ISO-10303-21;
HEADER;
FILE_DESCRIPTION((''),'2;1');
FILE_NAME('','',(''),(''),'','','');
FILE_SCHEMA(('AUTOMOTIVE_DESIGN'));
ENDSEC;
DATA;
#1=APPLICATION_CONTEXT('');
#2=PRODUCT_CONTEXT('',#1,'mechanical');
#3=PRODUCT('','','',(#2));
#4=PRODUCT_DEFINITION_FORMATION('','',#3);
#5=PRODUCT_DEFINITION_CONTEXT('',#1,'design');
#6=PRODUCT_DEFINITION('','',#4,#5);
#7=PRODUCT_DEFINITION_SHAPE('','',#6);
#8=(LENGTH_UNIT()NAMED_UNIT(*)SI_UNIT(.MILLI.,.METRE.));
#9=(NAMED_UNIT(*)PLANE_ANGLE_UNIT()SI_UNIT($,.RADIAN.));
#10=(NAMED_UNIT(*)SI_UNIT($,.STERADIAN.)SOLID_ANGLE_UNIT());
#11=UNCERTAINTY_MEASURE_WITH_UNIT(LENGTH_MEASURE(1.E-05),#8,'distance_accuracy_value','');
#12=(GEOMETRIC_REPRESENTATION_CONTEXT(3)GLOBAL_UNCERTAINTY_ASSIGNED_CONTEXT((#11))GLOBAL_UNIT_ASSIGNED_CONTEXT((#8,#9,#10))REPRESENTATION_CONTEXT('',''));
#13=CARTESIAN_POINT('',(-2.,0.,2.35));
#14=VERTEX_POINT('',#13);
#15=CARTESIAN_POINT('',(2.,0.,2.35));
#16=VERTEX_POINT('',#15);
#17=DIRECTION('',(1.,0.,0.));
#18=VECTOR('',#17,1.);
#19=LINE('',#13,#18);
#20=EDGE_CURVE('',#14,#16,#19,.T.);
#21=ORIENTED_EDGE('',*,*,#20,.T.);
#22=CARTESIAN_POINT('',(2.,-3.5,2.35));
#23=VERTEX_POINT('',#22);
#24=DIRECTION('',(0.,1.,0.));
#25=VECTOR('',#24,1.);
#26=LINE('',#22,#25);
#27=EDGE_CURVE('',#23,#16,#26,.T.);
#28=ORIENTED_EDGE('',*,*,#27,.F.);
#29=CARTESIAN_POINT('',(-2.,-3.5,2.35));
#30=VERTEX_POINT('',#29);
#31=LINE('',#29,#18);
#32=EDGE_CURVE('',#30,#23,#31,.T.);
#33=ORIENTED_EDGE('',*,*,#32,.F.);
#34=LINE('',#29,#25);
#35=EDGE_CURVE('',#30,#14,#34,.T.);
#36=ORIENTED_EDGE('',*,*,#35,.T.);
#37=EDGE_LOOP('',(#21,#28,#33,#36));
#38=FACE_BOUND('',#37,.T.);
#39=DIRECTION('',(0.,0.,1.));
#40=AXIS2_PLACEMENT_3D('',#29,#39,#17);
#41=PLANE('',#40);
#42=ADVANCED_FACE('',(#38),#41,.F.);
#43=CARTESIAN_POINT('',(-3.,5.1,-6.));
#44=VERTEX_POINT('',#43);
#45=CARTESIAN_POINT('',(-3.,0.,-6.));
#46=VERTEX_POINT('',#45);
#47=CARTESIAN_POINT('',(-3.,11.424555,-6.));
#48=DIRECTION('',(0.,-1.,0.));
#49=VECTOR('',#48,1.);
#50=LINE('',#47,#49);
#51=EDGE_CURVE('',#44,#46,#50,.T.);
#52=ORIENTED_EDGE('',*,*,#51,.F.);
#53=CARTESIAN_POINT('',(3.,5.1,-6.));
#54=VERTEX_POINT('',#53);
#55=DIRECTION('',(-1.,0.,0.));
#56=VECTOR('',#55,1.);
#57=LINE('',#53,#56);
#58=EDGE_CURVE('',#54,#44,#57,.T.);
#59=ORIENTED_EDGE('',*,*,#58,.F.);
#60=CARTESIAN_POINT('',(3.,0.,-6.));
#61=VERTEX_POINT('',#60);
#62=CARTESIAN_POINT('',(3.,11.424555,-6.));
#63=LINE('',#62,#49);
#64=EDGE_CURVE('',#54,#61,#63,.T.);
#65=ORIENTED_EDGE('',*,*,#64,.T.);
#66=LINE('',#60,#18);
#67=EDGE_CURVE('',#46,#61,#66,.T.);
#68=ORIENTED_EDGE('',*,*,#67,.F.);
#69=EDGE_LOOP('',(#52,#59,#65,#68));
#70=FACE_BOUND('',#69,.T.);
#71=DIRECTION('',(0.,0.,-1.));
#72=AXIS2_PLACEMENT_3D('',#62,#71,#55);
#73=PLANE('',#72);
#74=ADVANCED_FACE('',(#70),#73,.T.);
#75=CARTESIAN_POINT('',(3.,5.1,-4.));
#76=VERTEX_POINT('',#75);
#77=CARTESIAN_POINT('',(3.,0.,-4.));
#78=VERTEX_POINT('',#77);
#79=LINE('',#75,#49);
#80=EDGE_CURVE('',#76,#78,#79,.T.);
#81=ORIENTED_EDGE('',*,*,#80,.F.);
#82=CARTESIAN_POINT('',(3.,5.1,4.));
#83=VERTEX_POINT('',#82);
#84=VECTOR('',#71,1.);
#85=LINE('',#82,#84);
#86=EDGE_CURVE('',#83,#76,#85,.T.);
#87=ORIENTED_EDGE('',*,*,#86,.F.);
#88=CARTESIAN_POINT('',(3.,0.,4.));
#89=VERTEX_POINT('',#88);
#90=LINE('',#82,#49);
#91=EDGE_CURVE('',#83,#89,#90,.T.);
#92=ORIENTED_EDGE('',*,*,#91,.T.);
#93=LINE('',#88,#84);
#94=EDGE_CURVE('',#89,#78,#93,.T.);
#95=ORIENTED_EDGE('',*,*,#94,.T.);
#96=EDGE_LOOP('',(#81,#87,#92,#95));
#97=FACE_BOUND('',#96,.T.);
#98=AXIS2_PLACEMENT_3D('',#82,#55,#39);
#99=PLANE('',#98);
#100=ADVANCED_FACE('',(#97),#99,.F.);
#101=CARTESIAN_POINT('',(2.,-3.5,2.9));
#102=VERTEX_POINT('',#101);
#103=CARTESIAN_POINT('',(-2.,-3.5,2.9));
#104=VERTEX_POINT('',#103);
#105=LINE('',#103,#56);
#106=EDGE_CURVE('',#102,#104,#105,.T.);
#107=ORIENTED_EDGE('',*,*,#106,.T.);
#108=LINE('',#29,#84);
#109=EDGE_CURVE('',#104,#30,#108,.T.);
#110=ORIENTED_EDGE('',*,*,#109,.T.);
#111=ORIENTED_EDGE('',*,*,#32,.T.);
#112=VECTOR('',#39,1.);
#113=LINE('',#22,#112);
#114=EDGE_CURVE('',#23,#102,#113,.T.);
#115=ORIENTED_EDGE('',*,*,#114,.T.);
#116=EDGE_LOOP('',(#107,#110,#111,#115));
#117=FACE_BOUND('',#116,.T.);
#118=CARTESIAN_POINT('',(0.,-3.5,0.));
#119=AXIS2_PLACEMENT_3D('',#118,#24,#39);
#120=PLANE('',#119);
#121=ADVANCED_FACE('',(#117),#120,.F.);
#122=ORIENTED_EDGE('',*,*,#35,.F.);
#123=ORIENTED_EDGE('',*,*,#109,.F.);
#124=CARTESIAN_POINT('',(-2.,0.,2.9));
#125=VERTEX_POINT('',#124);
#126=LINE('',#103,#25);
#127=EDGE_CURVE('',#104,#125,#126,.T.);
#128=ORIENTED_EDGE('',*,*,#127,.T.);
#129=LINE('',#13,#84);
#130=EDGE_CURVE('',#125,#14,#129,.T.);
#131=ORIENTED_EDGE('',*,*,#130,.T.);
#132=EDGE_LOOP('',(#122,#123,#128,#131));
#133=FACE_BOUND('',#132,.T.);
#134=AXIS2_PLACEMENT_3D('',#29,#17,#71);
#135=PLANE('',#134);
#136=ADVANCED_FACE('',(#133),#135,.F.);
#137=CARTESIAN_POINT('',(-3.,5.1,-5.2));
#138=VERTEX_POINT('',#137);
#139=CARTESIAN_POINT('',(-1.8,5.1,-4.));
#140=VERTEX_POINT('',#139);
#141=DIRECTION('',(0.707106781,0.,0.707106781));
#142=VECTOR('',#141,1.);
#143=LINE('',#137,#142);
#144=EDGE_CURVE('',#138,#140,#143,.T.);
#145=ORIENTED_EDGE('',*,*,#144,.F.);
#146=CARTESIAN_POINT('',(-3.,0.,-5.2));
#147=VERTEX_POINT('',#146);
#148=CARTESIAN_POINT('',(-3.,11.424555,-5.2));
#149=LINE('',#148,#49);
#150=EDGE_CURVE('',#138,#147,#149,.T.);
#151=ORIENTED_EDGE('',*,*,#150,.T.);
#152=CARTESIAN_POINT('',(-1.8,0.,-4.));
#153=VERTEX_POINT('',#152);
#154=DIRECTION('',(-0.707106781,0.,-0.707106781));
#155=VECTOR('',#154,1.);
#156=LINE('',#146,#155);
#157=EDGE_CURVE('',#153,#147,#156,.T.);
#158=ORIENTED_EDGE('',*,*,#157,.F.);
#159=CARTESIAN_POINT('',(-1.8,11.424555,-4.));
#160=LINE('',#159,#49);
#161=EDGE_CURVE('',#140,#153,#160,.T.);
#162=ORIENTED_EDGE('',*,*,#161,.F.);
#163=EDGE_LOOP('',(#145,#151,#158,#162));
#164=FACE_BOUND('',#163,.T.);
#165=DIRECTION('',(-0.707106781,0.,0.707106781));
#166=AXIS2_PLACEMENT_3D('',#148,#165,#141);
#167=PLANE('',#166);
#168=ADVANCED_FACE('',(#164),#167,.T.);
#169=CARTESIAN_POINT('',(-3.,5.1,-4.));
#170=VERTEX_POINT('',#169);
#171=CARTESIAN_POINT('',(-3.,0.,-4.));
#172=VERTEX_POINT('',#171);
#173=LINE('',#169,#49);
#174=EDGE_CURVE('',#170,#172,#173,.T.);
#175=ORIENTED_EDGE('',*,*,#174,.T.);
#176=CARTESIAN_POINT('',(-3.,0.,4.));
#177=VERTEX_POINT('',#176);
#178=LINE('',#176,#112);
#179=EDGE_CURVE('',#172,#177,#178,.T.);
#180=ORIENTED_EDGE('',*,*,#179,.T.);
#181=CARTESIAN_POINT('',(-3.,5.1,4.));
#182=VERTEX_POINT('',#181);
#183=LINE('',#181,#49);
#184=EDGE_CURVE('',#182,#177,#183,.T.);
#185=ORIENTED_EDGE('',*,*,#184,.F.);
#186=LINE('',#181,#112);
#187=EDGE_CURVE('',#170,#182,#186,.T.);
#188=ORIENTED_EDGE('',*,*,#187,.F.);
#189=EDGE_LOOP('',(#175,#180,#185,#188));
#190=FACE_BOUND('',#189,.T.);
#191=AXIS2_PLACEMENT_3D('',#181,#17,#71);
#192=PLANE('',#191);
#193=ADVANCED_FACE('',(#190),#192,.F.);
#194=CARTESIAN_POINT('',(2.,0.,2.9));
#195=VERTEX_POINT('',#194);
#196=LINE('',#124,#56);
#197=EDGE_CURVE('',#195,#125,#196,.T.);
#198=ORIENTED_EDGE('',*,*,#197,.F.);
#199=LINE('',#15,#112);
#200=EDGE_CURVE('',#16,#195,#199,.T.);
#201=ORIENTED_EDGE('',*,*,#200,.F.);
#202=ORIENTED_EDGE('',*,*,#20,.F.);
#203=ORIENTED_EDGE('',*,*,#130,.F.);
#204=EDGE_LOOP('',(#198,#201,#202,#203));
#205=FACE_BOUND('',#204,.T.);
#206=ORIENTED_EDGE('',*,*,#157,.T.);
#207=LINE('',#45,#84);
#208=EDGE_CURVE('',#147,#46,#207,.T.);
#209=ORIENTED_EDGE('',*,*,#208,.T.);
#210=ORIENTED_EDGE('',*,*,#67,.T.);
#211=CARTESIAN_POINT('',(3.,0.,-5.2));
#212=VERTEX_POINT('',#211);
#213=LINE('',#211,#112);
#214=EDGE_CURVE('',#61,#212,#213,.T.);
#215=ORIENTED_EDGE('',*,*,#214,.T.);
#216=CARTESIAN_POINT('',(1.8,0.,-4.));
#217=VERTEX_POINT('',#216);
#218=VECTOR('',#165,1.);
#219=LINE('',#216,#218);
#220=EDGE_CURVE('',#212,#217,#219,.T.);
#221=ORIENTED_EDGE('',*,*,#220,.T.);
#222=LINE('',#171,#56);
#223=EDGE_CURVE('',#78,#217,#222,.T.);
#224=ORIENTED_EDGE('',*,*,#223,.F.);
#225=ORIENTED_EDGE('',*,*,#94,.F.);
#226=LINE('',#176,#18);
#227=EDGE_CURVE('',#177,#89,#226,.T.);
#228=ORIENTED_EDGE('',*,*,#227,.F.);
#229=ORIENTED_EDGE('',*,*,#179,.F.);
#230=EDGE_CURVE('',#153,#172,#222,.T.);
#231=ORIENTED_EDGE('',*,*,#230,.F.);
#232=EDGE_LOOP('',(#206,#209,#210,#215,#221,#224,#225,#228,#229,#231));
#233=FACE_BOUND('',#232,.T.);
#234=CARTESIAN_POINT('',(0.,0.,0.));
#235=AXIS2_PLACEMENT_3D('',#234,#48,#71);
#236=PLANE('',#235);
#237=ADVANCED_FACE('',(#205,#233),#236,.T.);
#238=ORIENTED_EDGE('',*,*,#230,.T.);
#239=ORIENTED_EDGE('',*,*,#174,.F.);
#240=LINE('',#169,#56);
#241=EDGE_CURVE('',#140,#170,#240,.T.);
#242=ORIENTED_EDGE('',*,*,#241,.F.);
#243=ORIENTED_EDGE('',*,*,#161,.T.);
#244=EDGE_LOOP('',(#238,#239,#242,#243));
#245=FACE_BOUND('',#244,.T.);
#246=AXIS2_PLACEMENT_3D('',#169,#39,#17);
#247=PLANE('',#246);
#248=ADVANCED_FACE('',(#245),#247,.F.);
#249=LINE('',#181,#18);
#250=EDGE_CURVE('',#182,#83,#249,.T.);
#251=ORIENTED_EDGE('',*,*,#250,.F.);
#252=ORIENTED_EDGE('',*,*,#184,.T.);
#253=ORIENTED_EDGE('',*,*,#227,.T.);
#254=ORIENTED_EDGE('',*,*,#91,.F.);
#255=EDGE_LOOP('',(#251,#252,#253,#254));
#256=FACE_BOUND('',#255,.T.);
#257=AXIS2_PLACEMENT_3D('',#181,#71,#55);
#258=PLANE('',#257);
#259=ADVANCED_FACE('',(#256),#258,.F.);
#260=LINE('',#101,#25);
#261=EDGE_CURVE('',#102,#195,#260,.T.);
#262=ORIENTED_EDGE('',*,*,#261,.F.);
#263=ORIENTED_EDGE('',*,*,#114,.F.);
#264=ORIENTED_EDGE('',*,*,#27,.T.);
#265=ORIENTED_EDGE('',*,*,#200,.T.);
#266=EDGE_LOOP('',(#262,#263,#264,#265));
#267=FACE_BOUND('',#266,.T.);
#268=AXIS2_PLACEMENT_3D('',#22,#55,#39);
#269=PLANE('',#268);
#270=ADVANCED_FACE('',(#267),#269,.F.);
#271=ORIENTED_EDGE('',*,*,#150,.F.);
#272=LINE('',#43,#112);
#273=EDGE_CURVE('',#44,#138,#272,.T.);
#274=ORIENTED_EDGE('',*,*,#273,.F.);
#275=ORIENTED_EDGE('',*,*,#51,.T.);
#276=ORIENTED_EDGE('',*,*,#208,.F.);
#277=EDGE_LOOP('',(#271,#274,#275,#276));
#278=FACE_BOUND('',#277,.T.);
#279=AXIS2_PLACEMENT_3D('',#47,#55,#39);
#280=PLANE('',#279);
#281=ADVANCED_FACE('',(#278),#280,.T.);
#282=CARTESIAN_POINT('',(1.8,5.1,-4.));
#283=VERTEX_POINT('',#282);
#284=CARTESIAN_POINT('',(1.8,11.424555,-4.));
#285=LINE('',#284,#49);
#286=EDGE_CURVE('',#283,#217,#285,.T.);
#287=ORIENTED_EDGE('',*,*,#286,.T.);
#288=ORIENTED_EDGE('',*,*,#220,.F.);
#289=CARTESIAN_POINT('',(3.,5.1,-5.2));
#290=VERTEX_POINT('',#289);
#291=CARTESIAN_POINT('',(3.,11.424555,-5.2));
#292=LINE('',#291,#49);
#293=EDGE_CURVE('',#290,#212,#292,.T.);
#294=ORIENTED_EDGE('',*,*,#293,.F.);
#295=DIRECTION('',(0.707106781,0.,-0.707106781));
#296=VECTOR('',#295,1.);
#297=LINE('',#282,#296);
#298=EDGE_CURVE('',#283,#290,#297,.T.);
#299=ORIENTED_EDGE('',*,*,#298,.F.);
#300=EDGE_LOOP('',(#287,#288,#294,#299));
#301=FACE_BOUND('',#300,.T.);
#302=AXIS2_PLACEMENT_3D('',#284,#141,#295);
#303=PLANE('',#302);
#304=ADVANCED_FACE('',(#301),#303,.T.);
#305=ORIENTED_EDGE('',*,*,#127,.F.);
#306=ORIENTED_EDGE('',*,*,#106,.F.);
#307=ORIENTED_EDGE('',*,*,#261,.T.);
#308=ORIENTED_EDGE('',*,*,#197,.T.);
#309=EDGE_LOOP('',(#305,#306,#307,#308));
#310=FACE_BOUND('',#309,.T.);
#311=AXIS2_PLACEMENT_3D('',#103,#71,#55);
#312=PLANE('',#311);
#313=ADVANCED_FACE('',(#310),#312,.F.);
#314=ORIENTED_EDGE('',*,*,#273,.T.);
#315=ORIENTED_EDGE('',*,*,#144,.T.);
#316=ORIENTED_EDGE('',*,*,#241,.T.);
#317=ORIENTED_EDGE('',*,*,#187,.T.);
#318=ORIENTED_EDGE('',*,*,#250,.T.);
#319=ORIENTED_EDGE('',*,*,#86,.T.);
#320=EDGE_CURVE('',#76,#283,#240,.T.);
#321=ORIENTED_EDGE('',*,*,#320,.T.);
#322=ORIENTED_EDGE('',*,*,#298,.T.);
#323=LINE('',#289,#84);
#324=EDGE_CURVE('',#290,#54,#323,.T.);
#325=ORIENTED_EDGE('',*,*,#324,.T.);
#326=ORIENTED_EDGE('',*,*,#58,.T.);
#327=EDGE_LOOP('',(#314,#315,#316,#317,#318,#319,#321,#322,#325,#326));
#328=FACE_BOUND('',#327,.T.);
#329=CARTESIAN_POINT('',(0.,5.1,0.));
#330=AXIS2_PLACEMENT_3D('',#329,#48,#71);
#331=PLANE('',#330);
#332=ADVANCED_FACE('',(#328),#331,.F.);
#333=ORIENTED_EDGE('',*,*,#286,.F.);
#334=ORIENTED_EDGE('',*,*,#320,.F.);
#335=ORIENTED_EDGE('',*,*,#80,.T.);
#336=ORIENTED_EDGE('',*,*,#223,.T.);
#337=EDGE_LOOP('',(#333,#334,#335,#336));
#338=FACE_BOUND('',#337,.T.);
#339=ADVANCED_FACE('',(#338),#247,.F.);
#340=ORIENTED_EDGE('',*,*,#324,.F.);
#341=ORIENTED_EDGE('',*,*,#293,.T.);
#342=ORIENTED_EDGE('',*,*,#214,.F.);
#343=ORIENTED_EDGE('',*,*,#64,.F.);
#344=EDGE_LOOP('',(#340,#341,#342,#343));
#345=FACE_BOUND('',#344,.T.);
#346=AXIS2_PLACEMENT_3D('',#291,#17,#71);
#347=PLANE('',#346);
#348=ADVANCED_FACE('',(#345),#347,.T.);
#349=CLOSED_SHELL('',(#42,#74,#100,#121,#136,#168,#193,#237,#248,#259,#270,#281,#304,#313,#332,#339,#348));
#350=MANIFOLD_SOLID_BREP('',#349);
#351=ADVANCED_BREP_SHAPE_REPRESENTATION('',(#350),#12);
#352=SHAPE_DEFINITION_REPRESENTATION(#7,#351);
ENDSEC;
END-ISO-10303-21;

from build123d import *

# Parameters (mm, degrees)
SKETCH1_W           = 6
SKETCH1_H           = 8
BOSS_EXTRUDE1_DEPTH = 5.1
BOSS_EXTRUDE2_DEPTH = 5.1
SKETCH3_W           = 4
SKETCH3_H           = 0.55
BOSS_EXTRUDE3_DEPTH = 3.5


with BuildPart() as part:
    # Sketch1 → Boss-Extrude1 (new body)
    with BuildSketch(Plane(origin=(0, 0, 0), x_dir=(1, 0, 0), z_dir=(0, 1, 0))):
        Rectangle(SKETCH1_W, SKETCH1_H)
    extrude(amount=BOSS_EXTRUDE1_DEPTH)

    # Sketch2 → Boss-Extrude2 (add)
    with BuildSketch(Plane.XZ):
        Polygon((3, -6), (-3, -6), (-3, -5.2), (-1.8, -4), (1.8, -4), (3, -5.2), align=None)
    extrude(amount=-BOSS_EXTRUDE2_DEPTH)

    # Sketch3 → Boss-Extrude3 (add)
    with BuildSketch(Plane.XZ):
        with Locations((0, 2.625)):
            Rectangle(SKETCH3_W, SKETCH3_H)
    extrude(amount=BOSS_EXTRUDE3_DEPTH)


solid = part.part
